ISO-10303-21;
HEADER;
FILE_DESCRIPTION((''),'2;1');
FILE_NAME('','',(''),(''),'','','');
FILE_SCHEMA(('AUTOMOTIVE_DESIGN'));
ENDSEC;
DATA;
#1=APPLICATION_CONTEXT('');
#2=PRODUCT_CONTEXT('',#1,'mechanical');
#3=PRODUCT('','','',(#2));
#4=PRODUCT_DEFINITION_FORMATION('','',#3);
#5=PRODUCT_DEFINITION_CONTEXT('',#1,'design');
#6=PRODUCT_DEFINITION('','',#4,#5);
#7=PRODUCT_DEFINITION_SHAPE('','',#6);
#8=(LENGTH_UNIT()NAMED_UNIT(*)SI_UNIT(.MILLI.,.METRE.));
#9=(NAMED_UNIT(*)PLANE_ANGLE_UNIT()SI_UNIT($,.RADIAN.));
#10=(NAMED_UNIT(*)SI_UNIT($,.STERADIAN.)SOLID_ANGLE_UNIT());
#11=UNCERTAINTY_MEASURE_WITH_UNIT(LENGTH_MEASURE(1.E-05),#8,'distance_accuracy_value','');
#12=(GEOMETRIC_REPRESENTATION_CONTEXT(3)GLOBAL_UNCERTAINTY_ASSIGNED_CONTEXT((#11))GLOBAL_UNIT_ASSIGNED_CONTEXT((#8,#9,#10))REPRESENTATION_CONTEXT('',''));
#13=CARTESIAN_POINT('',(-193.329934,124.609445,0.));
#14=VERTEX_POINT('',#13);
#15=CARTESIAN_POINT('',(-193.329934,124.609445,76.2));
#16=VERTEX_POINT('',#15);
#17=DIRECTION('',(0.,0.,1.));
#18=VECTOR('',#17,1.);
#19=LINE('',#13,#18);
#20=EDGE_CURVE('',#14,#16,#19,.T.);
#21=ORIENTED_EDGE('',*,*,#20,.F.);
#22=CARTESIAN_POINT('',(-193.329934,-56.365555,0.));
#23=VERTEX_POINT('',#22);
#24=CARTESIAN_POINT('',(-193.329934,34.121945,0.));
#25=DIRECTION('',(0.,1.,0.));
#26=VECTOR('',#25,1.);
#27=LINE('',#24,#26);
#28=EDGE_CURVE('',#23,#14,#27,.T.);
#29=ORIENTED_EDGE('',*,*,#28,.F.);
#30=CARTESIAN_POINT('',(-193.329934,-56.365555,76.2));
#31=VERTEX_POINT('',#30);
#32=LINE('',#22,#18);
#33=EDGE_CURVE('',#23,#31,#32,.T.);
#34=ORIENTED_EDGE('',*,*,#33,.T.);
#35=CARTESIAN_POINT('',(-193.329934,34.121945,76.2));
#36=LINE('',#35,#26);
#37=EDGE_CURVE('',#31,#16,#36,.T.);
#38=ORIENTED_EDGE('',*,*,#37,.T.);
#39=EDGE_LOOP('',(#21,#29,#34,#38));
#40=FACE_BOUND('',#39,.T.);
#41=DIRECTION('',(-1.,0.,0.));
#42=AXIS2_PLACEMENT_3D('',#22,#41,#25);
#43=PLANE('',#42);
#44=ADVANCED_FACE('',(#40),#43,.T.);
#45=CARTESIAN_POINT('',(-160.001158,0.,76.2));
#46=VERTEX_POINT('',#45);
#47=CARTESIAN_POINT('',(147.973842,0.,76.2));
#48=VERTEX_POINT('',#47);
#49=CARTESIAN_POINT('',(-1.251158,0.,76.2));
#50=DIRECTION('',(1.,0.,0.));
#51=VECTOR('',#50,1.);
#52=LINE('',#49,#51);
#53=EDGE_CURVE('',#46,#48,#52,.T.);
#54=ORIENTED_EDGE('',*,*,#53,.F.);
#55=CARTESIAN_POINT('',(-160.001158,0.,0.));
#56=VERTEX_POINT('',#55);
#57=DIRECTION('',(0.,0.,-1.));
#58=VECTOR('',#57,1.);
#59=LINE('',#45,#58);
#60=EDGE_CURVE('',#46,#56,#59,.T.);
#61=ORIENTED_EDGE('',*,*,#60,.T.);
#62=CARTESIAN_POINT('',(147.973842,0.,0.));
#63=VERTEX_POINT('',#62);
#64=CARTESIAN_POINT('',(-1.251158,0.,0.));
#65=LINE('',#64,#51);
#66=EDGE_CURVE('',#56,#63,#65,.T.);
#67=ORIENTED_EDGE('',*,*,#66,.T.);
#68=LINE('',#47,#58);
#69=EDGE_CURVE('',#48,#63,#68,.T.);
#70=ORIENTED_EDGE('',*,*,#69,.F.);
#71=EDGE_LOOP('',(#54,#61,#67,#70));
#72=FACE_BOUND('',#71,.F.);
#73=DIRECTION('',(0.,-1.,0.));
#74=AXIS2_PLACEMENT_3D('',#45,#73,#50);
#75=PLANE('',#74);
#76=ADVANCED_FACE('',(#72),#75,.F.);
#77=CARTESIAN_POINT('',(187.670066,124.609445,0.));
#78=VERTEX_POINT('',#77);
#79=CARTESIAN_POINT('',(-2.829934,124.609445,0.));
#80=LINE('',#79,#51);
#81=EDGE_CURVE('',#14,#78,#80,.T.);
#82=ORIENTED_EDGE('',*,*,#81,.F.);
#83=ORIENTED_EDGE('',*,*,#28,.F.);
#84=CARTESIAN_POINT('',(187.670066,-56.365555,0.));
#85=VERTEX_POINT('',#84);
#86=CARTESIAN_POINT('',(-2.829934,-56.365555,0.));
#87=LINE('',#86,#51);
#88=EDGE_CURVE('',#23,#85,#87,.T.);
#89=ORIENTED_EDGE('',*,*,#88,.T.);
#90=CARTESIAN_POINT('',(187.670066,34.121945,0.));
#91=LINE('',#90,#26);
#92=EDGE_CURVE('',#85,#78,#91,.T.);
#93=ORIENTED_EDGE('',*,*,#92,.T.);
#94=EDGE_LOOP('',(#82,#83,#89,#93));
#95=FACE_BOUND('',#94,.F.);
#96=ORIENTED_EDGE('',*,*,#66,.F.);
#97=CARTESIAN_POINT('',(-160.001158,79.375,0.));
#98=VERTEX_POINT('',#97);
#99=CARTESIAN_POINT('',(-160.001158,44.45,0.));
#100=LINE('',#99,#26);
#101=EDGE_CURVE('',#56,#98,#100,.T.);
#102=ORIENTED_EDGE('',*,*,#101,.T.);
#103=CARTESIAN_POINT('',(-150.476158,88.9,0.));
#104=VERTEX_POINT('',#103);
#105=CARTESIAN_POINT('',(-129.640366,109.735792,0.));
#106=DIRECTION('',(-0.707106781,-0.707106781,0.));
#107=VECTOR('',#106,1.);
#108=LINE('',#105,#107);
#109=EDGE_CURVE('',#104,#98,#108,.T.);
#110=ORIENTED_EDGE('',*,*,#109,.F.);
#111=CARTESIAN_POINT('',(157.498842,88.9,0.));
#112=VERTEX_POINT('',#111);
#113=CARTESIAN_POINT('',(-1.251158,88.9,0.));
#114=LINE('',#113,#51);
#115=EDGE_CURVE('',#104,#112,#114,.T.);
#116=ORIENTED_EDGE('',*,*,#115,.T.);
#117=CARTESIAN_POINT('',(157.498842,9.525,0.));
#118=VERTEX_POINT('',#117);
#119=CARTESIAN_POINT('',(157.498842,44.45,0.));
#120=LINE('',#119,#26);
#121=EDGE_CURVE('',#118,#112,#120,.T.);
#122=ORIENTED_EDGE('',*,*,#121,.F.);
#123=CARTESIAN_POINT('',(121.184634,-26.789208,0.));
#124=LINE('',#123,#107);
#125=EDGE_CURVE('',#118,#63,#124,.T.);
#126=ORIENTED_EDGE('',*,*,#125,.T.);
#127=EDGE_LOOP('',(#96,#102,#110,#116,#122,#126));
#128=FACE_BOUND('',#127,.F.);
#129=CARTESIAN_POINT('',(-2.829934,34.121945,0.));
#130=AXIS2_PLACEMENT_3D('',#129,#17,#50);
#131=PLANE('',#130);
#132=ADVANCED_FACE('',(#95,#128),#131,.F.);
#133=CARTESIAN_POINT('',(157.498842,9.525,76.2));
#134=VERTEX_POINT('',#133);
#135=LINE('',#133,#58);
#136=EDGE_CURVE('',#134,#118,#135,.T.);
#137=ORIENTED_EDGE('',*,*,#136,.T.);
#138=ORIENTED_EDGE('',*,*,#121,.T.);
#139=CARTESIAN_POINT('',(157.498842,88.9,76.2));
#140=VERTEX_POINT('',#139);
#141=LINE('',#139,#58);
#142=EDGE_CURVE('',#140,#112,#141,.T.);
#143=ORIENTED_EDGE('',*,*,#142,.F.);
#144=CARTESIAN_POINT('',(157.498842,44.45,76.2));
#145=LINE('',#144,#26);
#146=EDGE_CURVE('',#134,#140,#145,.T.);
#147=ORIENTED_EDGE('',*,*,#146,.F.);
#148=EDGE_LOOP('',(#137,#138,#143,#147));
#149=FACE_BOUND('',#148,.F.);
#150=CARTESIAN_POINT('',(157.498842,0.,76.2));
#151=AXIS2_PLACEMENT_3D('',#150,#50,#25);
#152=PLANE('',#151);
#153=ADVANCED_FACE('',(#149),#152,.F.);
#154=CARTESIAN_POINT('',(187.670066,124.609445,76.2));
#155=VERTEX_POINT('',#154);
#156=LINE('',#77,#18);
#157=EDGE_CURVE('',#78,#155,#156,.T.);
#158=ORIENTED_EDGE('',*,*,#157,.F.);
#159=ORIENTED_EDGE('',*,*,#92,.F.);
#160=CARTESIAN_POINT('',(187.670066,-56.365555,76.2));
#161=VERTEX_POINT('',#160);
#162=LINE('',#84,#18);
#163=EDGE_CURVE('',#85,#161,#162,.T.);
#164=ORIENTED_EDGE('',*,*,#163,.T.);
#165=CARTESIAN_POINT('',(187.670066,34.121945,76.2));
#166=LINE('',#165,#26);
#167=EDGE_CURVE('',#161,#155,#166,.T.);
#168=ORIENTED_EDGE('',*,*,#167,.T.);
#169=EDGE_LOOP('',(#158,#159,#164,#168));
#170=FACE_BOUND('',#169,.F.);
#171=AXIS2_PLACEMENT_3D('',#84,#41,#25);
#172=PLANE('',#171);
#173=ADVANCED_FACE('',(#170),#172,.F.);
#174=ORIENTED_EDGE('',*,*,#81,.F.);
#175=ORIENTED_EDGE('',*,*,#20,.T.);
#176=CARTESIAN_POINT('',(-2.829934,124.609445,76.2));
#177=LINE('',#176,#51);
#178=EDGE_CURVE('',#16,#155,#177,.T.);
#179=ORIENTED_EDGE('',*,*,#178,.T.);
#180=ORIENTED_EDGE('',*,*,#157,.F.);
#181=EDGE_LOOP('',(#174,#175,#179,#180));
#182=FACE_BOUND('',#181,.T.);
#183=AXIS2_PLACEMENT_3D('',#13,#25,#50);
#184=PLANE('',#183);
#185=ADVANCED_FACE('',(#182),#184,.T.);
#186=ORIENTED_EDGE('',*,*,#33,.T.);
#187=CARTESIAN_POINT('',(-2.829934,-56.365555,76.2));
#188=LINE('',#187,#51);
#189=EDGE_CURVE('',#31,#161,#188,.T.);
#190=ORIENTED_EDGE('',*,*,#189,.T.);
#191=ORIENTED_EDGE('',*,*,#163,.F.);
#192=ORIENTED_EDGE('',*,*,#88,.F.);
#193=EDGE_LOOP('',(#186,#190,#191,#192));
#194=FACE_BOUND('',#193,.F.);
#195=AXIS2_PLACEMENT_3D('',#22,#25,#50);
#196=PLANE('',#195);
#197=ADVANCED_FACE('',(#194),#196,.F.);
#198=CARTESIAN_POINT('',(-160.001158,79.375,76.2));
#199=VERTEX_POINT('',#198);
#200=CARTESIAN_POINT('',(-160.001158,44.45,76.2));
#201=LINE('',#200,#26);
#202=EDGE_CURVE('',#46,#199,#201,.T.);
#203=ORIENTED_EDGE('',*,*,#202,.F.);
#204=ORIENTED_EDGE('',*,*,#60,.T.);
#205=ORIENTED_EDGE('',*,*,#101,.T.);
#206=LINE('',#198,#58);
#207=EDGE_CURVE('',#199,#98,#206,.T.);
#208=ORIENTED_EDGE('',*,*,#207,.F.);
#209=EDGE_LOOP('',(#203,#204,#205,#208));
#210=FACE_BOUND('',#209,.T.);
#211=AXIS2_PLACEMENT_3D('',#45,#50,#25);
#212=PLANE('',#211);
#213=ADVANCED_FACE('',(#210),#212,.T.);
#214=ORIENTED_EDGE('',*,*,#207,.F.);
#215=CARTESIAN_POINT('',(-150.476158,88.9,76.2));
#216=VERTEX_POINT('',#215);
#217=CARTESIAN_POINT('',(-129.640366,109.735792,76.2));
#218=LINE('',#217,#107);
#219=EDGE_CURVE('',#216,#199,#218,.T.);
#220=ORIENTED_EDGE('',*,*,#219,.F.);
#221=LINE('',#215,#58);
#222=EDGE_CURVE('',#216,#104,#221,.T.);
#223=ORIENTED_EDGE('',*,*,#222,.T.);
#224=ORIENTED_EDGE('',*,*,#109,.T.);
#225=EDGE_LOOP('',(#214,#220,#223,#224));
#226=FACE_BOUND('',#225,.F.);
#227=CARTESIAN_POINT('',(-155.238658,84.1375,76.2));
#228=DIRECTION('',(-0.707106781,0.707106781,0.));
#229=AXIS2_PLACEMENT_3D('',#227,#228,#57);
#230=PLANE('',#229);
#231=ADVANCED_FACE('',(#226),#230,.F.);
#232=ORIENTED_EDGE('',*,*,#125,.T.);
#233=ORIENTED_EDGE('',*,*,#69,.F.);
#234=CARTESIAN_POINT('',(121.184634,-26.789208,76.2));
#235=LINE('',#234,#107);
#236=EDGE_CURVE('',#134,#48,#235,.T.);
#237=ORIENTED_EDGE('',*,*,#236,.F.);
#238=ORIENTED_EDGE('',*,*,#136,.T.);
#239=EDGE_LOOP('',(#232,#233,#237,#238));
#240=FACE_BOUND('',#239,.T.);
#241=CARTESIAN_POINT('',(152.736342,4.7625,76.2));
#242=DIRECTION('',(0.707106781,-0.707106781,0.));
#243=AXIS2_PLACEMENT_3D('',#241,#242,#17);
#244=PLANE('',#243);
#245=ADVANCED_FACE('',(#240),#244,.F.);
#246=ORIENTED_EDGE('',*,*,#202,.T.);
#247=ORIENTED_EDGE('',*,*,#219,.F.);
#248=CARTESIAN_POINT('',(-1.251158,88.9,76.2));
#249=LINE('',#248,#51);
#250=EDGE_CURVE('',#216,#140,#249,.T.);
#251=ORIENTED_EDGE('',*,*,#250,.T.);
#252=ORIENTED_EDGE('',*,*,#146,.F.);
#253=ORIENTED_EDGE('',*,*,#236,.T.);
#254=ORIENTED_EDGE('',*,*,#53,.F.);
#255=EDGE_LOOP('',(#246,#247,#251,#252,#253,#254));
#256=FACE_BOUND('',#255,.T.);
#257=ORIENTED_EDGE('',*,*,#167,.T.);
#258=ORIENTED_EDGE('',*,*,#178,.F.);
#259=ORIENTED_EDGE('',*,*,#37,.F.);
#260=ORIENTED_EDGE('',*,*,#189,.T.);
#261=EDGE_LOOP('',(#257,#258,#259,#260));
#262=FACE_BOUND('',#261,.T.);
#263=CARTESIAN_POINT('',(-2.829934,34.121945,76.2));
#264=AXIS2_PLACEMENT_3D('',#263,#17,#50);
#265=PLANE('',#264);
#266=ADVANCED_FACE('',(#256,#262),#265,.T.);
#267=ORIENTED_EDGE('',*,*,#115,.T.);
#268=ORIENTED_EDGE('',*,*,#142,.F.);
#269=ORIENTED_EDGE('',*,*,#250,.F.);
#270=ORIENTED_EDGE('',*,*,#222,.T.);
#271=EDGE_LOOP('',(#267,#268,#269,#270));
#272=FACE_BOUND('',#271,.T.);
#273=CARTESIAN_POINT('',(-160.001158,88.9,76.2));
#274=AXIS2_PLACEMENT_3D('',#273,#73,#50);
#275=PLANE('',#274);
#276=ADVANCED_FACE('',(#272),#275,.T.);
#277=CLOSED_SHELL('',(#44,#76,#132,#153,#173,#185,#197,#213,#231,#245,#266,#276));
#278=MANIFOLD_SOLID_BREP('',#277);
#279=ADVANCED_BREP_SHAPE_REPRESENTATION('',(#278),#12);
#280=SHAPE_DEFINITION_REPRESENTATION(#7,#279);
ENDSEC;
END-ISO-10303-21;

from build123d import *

# Parameters (mm, degrees)
F0_W     = 381
F0_H     = 180.975
F1_DEPTH = 76.2
F2_W     = 317.5
F2_H     = 88.9
F3_DEPTH = 76.2
F4_SIZE  = 9.525
F5_SIZE  = 9.525


with BuildPart() as f1:
    # F0 (on Top) → F1 (new body)
    with BuildSketch(Plane.XY):
        with Locations((-2.829934, 34.121945)):
            Rectangle(F0_W, F0_H)
    extrude(amount=F1_DEPTH)

    # F2 (on face) → F3 (cut)
    with BuildSketch(Plane.XY.offset(76.2)):
        with Locations((-1.251158, 44.45)):
            Rectangle(F2_W, F2_H)
    extrude(amount=-F3_DEPTH, mode=Mode.SUBTRACT)

    # F4
    f4_edges = [f1.edges().sort_by_distance(p)[0] for p in [
        (-160.001158, 88.9, 38.1),
    ]]
    chamfer(f4_edges, length=F4_SIZE)

    # F5
    f5_edges = [f1.edges().sort_by_distance(p)[0] for p in [
        (157.498842, 0, 38.1),
    ]]
    chamfer(f5_edges, length=F5_SIZE)


solid = f1.part
